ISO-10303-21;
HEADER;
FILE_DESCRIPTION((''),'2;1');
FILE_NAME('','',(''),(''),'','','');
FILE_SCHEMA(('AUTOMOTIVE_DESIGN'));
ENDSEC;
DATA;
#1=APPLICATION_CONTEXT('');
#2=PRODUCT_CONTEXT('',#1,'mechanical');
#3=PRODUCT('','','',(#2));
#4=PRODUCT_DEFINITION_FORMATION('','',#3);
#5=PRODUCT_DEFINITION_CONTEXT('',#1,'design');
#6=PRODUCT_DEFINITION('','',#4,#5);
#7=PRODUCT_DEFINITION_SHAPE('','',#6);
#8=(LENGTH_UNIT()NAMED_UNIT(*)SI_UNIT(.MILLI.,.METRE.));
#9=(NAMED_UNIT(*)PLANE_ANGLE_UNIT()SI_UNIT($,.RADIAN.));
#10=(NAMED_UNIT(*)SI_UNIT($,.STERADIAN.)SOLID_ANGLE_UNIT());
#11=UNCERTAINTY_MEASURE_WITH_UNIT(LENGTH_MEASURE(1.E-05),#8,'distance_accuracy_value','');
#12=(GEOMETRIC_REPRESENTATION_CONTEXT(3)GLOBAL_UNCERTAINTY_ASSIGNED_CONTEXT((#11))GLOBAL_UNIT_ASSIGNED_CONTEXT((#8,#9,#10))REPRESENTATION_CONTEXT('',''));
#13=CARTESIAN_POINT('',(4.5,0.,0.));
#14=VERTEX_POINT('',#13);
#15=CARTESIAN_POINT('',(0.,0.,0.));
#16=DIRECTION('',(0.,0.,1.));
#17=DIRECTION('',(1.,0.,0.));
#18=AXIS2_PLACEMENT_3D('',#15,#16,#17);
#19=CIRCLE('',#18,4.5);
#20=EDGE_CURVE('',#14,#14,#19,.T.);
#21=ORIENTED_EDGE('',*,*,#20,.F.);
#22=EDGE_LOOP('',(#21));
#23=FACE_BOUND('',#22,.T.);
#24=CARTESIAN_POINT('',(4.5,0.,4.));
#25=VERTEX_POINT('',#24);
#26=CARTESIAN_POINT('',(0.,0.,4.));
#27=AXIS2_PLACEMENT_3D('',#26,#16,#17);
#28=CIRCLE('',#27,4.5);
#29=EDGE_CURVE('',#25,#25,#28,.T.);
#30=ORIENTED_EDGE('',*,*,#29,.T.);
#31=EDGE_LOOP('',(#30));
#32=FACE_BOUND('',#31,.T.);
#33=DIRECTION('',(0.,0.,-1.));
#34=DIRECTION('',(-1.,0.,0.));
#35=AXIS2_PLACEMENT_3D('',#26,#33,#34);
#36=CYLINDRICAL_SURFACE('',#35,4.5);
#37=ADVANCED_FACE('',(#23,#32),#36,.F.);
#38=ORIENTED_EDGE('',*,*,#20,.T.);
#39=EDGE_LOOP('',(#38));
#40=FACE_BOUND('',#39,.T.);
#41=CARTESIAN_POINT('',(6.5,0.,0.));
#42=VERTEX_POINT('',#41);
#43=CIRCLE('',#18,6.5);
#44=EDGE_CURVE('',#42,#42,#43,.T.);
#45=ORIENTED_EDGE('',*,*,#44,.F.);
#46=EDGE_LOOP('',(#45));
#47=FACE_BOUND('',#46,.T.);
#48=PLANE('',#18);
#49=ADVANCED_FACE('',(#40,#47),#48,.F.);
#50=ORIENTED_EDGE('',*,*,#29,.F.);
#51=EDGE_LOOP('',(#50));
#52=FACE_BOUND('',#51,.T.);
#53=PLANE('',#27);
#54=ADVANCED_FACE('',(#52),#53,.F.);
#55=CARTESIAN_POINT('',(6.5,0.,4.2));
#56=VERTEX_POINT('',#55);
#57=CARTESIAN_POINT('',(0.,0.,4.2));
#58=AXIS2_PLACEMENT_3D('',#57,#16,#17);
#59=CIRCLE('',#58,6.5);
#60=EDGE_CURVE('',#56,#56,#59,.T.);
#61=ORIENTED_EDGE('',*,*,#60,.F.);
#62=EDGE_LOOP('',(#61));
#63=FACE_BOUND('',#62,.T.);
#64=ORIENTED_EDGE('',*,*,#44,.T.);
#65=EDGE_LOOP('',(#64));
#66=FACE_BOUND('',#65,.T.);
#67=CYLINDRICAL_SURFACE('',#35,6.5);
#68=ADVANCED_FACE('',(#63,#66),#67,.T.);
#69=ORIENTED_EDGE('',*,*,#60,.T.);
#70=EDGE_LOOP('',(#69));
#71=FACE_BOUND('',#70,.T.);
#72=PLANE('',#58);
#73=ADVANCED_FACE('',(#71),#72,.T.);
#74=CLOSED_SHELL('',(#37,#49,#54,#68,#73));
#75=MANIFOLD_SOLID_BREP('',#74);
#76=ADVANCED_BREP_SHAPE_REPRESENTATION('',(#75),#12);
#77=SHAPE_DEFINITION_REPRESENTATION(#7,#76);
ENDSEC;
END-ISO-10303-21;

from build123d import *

# Parameters (mm, degrees)
ESQUISSE1_R          = 6.5
ESQUISSE1_R_2        = 4.5
BASE_EXTRUSION_DEPTH = 4
ESQUISSE2_R          = 6.5
BOSS_EXTRU_1_DEPTH   = 0.2


with BuildPart() as part:
    # Esquisse1 → Base-Extrusion (new body)
    with BuildSketch(Plane.XY):
        Circle(ESQUISSE1_R)
        Circle(ESQUISSE1_R_2, mode=Mode.SUBTRACT)
    extrude(amount=BASE_EXTRUSION_DEPTH)

    # Esquisse2 → Boss.-Extru.1 (add)
    with BuildSketch(Plane.XY.offset(4)):
        Circle(ESQUISSE2_R)
    extrude(amount=BOSS_EXTRU_1_DEPTH)


solid = part.part
